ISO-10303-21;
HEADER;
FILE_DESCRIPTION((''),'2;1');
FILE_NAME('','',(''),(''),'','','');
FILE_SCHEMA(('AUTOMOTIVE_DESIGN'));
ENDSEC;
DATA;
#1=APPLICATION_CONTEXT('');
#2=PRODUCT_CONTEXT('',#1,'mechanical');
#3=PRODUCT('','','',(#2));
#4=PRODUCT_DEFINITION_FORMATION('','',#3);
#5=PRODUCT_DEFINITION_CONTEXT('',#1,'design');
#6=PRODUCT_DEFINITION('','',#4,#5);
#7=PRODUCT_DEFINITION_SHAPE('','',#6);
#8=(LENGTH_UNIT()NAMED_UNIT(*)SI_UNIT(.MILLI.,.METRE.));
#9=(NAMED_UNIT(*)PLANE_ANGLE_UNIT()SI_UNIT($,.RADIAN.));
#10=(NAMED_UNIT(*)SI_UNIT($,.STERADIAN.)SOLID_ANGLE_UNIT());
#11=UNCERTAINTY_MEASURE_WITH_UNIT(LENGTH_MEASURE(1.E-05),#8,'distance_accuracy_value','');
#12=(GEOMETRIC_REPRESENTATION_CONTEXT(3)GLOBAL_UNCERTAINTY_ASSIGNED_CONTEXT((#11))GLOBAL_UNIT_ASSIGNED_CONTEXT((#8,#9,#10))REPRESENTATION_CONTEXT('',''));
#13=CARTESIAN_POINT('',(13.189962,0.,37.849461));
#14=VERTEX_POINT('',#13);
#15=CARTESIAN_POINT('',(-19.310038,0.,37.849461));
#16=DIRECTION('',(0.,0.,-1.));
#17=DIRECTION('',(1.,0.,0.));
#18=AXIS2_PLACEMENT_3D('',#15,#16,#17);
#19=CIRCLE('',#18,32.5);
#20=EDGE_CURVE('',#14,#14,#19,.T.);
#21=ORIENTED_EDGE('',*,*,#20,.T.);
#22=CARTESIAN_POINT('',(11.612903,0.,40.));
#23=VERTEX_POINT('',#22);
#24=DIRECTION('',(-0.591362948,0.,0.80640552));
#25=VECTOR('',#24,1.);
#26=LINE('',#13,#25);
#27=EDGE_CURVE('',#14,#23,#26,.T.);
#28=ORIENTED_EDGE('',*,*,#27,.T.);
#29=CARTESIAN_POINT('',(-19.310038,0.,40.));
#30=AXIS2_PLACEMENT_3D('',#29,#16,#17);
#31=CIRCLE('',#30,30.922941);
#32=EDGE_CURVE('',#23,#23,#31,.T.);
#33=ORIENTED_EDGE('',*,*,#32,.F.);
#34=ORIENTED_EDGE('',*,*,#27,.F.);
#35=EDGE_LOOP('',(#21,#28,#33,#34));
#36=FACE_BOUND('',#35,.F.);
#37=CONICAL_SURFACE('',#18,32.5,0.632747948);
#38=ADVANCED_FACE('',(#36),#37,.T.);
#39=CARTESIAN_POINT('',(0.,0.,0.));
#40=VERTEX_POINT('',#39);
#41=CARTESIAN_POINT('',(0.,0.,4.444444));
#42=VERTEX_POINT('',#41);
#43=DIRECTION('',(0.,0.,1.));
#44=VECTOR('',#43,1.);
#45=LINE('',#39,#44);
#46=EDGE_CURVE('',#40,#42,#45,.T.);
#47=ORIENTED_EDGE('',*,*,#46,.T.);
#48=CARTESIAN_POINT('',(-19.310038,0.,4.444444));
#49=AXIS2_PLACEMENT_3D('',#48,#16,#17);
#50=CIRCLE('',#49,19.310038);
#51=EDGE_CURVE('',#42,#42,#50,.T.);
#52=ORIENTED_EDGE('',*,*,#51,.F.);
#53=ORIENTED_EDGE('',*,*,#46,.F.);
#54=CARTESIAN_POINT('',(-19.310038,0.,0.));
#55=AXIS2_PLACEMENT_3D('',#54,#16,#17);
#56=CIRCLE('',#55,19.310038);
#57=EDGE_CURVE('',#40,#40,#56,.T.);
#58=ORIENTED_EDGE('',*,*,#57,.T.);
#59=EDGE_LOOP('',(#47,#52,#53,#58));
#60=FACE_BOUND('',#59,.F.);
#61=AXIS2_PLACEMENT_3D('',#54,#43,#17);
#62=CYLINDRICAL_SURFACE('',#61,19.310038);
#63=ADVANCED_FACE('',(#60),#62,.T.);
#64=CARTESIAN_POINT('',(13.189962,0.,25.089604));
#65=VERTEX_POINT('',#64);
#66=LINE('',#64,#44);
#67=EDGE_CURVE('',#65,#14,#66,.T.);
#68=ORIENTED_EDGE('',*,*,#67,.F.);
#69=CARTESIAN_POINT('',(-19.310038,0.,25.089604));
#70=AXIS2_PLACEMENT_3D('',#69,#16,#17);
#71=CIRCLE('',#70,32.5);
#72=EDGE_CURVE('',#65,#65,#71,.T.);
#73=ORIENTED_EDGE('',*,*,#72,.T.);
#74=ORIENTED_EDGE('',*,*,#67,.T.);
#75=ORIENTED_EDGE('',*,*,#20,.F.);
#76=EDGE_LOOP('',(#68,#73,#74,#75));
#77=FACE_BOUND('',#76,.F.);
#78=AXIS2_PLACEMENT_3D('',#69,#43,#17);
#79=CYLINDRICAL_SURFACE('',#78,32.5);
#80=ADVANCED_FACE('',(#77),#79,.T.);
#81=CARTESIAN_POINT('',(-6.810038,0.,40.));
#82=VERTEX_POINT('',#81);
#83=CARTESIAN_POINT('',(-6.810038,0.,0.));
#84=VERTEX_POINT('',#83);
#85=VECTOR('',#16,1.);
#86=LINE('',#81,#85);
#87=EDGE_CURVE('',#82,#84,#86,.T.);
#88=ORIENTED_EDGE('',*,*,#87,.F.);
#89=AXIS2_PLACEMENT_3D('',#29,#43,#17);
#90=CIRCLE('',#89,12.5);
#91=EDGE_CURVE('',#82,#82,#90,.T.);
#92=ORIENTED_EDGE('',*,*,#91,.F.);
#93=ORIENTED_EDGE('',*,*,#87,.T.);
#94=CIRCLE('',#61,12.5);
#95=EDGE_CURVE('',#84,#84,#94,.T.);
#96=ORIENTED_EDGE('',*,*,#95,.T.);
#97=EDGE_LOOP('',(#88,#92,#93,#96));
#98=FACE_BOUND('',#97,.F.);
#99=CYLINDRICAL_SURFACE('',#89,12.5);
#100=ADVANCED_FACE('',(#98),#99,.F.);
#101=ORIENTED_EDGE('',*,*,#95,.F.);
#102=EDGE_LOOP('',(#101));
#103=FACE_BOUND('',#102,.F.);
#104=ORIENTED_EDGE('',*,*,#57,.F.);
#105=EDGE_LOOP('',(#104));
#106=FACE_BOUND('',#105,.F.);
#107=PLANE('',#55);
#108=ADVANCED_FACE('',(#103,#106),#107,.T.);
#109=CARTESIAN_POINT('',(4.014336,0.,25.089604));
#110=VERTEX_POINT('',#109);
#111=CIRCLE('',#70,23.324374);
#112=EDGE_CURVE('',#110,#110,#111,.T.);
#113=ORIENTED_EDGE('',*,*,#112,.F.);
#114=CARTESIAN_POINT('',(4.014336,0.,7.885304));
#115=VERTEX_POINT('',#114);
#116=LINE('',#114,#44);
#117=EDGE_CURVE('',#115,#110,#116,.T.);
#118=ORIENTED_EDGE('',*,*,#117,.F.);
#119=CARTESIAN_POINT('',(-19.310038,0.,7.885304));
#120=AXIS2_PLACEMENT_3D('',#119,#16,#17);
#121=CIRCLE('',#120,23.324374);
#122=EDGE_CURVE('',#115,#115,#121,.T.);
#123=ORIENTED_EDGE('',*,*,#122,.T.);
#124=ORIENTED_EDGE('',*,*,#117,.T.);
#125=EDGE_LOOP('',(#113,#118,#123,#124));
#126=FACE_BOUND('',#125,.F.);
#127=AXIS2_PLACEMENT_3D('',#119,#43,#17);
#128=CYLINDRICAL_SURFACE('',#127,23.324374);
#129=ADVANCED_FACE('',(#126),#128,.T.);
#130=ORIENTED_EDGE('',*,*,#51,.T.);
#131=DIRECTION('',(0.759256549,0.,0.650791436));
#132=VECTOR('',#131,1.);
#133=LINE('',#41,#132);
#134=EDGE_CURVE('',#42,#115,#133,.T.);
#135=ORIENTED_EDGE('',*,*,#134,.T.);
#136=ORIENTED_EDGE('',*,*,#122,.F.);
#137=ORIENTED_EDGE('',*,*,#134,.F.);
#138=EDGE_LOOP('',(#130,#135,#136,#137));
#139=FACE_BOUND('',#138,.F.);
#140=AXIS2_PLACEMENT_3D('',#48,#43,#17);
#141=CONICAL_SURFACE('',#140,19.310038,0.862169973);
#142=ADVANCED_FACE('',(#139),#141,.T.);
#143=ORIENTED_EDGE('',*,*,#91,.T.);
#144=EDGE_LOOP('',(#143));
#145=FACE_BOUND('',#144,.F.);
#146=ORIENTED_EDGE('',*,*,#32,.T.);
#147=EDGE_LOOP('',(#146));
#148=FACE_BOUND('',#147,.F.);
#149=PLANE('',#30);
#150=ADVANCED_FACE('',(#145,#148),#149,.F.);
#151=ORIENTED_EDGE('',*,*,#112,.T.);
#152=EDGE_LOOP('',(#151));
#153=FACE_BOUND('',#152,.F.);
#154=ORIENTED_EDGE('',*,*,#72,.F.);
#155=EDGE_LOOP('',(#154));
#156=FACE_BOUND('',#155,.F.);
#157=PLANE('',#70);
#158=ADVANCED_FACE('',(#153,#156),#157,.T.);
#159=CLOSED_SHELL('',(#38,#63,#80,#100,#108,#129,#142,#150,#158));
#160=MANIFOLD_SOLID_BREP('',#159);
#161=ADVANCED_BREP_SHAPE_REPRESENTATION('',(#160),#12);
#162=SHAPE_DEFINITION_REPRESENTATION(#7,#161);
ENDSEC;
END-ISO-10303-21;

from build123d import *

# Parameters (mm, degrees)
F2_R     = 12.5
F3_DEPTH = 40.001


with BuildPart() as f1:
    # F0 (on Front) → F1 (revolve)
    with BuildSketch(Plane.XZ):
        Polygon((-19.310038, 0), (0, 0), (0, 4.444444), (4.014336, 7.885304), (4.014336, 25.089604), (13.189962, 25.089604), (13.189962, 37.849461), (11.612903, 40), (-19.310038, 40), align=None)
    revolve(axis=Axis((-19.310038, 0, 20), (0, 0, -1)))

    # F2 (on face) → F3 (cut, through all)
    with BuildSketch(Plane.XY.offset(40)):
        with Locations((-19.310038, 0)):
            Circle(F2_R)
    extrude(amount=-F3_DEPTH, mode=Mode.SUBTRACT)


solid = f1.part
